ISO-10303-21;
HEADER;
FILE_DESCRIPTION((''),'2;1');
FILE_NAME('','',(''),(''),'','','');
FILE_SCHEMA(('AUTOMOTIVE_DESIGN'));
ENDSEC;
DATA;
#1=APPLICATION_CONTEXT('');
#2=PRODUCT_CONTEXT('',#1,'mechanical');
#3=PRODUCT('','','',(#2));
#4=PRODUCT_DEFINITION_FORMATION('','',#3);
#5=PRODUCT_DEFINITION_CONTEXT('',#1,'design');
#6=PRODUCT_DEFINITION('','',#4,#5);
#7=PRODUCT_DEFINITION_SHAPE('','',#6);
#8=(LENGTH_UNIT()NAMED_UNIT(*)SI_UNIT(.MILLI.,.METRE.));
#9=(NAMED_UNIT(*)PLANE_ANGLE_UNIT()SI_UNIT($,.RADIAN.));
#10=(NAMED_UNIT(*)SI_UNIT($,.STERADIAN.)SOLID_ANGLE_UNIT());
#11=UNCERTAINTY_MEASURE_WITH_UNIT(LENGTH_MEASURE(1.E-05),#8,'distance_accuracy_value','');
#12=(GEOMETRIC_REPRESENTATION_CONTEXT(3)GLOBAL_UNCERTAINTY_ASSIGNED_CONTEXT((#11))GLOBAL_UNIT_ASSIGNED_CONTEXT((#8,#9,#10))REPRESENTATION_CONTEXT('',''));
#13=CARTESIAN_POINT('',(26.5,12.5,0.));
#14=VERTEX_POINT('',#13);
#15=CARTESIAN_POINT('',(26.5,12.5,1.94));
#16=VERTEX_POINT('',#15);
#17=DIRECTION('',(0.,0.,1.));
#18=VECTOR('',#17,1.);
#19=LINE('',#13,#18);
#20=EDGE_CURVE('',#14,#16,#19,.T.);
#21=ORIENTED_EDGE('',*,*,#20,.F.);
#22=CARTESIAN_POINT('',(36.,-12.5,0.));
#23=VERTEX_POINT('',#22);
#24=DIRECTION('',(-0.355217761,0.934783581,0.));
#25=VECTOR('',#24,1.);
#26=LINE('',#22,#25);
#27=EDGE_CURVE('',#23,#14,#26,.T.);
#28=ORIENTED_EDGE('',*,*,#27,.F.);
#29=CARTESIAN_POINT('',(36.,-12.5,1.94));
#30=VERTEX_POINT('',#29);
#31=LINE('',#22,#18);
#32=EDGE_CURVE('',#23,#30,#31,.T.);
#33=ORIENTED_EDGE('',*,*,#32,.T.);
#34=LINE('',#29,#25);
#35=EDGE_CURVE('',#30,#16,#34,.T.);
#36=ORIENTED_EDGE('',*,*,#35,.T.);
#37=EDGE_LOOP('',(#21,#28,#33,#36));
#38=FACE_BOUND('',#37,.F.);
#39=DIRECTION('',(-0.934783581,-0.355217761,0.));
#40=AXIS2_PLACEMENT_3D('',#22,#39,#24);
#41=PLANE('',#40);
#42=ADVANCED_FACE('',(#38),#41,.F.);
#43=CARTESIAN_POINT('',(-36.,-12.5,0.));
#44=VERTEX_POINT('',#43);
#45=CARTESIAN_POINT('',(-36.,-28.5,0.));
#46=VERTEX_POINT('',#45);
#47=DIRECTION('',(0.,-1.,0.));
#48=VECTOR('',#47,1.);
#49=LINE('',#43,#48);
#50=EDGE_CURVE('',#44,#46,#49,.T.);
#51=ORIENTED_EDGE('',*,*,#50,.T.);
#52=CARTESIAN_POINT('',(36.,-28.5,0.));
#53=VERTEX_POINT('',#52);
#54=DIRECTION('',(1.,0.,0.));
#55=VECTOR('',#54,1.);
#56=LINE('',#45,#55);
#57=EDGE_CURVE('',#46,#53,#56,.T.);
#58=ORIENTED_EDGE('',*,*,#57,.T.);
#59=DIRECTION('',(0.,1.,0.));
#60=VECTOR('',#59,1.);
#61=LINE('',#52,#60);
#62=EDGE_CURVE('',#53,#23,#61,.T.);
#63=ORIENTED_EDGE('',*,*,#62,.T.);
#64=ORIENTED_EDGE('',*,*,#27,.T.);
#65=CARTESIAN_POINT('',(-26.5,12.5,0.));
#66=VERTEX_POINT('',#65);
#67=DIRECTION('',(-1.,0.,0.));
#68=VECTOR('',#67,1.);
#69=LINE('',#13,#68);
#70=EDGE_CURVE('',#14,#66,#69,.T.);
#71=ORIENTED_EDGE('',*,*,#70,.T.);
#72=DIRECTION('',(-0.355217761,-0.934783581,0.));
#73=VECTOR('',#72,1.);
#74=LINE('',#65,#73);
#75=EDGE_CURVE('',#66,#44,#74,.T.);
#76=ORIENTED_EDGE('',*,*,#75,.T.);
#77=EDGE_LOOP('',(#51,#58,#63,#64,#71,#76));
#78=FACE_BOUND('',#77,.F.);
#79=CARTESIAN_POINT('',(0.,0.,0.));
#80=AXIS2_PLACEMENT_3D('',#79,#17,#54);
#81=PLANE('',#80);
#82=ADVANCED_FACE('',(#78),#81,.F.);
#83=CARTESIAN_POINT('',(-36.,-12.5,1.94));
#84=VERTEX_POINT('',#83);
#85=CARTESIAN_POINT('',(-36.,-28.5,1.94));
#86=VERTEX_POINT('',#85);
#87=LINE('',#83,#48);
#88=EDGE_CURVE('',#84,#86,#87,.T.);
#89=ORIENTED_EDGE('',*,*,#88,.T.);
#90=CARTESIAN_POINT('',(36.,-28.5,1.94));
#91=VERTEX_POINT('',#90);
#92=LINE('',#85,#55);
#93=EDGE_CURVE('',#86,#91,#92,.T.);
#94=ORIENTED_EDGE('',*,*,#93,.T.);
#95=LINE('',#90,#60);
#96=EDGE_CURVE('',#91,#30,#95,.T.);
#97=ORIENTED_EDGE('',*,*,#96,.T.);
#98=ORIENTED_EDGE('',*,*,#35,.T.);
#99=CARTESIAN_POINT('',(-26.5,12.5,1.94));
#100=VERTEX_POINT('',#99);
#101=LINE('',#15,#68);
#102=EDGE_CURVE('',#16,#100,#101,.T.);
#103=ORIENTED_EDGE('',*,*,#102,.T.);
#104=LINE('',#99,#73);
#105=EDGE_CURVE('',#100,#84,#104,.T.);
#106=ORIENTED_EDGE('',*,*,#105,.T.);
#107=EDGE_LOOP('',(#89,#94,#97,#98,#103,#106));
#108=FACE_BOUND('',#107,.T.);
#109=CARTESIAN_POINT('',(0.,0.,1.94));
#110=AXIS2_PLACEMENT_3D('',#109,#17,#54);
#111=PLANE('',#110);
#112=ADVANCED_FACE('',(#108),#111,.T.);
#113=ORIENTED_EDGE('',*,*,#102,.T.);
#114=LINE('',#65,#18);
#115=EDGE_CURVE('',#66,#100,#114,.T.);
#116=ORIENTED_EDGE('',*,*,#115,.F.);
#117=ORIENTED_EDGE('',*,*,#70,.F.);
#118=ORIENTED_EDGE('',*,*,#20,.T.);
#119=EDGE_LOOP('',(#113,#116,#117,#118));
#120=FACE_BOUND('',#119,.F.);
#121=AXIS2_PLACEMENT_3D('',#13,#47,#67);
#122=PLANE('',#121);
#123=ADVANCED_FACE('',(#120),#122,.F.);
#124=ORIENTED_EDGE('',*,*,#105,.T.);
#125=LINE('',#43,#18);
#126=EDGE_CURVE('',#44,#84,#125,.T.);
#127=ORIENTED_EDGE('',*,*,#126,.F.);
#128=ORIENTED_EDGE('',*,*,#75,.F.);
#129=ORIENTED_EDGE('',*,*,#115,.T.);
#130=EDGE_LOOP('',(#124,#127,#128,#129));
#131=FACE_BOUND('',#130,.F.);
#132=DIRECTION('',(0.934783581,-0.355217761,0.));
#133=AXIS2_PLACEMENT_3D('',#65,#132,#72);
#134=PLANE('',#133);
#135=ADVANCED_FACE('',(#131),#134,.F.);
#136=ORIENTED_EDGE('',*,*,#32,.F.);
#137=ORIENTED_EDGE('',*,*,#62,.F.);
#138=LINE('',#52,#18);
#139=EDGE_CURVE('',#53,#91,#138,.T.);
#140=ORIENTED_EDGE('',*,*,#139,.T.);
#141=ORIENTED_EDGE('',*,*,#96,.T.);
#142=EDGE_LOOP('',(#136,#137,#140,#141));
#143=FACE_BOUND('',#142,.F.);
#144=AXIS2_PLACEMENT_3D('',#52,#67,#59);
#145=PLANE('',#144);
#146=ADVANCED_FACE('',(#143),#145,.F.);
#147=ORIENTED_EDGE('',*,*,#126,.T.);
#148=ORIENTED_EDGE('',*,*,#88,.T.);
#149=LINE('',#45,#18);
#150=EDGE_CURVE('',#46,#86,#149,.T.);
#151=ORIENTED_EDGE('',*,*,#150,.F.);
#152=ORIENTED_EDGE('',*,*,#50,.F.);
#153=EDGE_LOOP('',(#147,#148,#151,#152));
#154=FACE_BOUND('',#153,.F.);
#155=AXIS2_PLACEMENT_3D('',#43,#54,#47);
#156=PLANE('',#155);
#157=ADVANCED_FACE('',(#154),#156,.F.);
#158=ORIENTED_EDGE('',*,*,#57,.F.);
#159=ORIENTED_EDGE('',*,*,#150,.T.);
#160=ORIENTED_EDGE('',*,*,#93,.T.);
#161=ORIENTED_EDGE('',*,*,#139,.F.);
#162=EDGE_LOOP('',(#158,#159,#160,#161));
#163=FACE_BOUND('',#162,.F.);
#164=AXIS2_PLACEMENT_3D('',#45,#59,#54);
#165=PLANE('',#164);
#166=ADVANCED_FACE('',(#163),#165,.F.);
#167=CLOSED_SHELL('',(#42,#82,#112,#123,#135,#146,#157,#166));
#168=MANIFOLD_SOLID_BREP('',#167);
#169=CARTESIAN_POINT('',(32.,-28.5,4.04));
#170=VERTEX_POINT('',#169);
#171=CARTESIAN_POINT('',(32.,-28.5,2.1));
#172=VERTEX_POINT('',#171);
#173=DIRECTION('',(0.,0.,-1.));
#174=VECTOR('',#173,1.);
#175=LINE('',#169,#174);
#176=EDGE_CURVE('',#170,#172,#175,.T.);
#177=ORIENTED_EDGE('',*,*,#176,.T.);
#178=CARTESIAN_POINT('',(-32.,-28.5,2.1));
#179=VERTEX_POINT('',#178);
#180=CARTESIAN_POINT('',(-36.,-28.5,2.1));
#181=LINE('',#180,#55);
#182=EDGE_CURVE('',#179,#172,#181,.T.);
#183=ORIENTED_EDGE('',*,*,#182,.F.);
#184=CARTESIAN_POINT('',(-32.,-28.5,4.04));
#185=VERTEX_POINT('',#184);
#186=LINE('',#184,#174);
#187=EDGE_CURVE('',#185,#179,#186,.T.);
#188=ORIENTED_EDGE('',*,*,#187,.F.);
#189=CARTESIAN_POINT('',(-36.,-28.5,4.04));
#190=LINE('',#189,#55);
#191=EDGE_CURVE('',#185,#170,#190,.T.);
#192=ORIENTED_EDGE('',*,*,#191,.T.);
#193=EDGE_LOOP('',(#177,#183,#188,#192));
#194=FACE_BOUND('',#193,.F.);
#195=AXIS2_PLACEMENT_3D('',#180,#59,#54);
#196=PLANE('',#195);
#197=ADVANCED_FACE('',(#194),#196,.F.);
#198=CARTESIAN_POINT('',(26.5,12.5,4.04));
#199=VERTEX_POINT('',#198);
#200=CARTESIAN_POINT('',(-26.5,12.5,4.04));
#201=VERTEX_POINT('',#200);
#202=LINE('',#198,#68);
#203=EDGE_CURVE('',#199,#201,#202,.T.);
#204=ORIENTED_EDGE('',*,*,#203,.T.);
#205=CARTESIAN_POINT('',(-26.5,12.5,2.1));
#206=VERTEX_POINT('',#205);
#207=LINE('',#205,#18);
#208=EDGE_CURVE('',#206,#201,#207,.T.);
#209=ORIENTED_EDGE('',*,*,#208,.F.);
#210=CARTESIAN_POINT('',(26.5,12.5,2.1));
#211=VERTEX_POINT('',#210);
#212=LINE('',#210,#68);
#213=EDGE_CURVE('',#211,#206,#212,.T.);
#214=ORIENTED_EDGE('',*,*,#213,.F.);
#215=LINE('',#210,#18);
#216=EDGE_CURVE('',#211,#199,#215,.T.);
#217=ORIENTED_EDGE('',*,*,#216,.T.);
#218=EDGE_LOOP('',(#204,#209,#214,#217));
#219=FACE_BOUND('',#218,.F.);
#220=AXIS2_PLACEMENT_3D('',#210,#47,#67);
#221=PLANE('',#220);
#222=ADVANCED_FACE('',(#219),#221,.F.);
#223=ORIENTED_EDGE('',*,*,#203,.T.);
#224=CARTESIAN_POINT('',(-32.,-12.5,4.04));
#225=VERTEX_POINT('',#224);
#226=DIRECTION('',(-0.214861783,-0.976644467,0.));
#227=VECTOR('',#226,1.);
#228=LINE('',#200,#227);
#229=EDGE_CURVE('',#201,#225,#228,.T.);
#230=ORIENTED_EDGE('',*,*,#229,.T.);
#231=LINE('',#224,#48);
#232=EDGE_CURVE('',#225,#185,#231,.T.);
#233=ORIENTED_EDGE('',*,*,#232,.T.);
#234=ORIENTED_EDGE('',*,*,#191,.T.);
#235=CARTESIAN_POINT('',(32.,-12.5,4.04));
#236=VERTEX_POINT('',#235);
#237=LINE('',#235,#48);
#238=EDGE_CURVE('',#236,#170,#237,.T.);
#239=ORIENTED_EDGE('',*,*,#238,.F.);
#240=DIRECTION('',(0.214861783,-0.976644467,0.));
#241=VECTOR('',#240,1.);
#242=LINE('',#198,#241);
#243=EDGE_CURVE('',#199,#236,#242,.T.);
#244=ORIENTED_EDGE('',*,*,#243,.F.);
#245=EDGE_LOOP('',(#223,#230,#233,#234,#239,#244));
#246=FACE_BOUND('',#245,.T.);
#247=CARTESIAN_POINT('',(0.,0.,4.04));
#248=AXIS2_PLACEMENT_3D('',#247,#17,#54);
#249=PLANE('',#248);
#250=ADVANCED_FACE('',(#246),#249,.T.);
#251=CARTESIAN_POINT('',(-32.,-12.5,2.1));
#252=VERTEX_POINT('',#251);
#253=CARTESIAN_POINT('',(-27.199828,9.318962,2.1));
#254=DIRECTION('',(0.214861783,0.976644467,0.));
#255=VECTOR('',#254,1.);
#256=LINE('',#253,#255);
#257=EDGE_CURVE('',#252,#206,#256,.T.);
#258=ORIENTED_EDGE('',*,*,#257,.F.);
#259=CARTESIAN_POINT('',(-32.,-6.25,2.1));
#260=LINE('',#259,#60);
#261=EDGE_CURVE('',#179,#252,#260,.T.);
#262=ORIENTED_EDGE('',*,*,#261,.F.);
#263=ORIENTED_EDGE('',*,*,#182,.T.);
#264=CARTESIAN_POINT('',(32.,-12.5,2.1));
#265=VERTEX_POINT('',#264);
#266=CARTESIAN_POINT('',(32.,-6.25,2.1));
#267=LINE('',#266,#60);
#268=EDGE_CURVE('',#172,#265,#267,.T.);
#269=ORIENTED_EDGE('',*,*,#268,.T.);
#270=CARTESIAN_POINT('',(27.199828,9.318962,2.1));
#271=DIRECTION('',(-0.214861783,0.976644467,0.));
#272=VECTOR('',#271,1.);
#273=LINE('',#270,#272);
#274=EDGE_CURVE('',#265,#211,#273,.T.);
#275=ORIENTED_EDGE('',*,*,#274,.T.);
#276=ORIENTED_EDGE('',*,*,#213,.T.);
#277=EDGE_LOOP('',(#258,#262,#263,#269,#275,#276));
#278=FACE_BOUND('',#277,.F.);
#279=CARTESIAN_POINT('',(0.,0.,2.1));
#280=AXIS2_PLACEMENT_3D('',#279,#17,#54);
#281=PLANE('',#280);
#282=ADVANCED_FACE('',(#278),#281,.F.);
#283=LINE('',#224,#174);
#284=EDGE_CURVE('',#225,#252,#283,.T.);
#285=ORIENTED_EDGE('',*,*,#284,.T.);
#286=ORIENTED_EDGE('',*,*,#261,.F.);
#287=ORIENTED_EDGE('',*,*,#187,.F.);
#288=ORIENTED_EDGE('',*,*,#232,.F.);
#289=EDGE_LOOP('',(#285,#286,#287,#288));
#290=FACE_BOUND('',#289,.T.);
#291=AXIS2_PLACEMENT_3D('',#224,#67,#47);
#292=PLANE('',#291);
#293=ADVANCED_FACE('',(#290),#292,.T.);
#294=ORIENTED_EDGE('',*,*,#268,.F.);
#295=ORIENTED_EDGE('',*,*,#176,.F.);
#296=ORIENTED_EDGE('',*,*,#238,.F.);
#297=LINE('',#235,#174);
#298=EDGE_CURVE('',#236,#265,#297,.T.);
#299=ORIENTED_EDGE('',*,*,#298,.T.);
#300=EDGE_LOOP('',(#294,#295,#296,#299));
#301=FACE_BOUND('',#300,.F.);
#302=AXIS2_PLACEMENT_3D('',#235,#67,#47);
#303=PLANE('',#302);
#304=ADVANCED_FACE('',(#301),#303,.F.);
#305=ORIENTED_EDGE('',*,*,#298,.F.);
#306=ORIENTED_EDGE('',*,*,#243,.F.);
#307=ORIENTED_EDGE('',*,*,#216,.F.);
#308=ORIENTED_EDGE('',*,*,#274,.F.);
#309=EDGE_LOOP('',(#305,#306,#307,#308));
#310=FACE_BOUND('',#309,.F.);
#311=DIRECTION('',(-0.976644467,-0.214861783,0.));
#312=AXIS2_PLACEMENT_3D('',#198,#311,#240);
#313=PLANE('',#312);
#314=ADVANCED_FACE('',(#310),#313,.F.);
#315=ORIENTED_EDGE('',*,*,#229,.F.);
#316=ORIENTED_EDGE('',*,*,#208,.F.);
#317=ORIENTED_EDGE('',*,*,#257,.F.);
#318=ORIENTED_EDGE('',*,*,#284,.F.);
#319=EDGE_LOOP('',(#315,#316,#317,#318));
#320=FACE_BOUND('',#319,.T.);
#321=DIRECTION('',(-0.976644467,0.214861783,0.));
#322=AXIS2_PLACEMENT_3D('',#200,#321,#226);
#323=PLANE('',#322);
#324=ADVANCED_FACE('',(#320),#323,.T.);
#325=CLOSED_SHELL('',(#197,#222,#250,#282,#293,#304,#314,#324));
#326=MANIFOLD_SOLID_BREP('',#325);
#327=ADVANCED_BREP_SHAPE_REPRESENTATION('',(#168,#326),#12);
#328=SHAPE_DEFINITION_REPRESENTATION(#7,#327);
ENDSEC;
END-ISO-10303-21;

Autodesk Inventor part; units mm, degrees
ref_plane "YZ Plane" through (0, 0, 0) normal (1, 0, 0) x (0, 1, 0)
ref_plane "XZ Plane" through (0, 0, 0) normal (0, 1, 0) x (-1, 0, 0)
ref_plane "XY Plane" through (0, 0, 0) normal (0, 0, 1) x (1, 0, 0)
sketch "Sketch1" plane through (0, 0, 0) normal (0, 0, 1) x (1, 0, 0)
  line L0 (-36, -28.5) -> (36, -28.5)
  line L1 (36, -28.5) -> (36, -12.5)
  line L2 (36, -12.5) -> (26.5, 12.5)
  line L3 (26.5, 12.5) -> (-26.5, 12.5)
  line L4 (-26.5, 12.5) -> (-36, -12.5)
  line L5 (-36, -12.5) -> (-36, -28.5)
  point P0 (0, 0)
  point P1 (0, -28.5)
  point P2 (-31.25, 0)
  dimension "d0" = 72
  dimension "d1" = 41
  dimension "d2" = 53
  dimension "d3" = 16
extrude "Extrusion1" add sketch "Sketch1" along normal blind 1.94
pattern_linear "Rectangular Pattern1" count 2 spacing 2.1 along (0, 0, 1) of "Extrusion1"
sketch "Sketch2" plane through (-36, -28.5, 4.04) normal (0, 0, 1) x (1, 0, 0)
  line L0 (0, 0) -> (72, 0) projected
  line L1 (72, 0) -> (72, 16) projected
  line L2 (72, 16) -> (62.5, 41) projected
  line L3 (62.5, 41) -> (9.5, 41) projected
  line L4 (9.5, 41) -> (0, 16) projected
  line L5 (0, 16) -> (0, 0) projected
  line L6 (62.5, 41) -> (9.5, 41) projected
  line L7 (9.5, 41) -> (4, 16)
  line L8 (4, 16) -> (4, 0)
  line L9 (62.5, 41) -> (68, 16)
  line L10 (68, 16) -> (68, 0)
  line L11 (0, 0) -> (72, 0) projected
  point P0 (36, 28.5)
  dimension "d9" = 64
extrude "Extrusion2" cut sketch "Sketch2" against normal up to next contours L5 L4 L7 L8 L0 | L10 L9 L2 L1 L0
properties part number "Game_VenusAwards"
